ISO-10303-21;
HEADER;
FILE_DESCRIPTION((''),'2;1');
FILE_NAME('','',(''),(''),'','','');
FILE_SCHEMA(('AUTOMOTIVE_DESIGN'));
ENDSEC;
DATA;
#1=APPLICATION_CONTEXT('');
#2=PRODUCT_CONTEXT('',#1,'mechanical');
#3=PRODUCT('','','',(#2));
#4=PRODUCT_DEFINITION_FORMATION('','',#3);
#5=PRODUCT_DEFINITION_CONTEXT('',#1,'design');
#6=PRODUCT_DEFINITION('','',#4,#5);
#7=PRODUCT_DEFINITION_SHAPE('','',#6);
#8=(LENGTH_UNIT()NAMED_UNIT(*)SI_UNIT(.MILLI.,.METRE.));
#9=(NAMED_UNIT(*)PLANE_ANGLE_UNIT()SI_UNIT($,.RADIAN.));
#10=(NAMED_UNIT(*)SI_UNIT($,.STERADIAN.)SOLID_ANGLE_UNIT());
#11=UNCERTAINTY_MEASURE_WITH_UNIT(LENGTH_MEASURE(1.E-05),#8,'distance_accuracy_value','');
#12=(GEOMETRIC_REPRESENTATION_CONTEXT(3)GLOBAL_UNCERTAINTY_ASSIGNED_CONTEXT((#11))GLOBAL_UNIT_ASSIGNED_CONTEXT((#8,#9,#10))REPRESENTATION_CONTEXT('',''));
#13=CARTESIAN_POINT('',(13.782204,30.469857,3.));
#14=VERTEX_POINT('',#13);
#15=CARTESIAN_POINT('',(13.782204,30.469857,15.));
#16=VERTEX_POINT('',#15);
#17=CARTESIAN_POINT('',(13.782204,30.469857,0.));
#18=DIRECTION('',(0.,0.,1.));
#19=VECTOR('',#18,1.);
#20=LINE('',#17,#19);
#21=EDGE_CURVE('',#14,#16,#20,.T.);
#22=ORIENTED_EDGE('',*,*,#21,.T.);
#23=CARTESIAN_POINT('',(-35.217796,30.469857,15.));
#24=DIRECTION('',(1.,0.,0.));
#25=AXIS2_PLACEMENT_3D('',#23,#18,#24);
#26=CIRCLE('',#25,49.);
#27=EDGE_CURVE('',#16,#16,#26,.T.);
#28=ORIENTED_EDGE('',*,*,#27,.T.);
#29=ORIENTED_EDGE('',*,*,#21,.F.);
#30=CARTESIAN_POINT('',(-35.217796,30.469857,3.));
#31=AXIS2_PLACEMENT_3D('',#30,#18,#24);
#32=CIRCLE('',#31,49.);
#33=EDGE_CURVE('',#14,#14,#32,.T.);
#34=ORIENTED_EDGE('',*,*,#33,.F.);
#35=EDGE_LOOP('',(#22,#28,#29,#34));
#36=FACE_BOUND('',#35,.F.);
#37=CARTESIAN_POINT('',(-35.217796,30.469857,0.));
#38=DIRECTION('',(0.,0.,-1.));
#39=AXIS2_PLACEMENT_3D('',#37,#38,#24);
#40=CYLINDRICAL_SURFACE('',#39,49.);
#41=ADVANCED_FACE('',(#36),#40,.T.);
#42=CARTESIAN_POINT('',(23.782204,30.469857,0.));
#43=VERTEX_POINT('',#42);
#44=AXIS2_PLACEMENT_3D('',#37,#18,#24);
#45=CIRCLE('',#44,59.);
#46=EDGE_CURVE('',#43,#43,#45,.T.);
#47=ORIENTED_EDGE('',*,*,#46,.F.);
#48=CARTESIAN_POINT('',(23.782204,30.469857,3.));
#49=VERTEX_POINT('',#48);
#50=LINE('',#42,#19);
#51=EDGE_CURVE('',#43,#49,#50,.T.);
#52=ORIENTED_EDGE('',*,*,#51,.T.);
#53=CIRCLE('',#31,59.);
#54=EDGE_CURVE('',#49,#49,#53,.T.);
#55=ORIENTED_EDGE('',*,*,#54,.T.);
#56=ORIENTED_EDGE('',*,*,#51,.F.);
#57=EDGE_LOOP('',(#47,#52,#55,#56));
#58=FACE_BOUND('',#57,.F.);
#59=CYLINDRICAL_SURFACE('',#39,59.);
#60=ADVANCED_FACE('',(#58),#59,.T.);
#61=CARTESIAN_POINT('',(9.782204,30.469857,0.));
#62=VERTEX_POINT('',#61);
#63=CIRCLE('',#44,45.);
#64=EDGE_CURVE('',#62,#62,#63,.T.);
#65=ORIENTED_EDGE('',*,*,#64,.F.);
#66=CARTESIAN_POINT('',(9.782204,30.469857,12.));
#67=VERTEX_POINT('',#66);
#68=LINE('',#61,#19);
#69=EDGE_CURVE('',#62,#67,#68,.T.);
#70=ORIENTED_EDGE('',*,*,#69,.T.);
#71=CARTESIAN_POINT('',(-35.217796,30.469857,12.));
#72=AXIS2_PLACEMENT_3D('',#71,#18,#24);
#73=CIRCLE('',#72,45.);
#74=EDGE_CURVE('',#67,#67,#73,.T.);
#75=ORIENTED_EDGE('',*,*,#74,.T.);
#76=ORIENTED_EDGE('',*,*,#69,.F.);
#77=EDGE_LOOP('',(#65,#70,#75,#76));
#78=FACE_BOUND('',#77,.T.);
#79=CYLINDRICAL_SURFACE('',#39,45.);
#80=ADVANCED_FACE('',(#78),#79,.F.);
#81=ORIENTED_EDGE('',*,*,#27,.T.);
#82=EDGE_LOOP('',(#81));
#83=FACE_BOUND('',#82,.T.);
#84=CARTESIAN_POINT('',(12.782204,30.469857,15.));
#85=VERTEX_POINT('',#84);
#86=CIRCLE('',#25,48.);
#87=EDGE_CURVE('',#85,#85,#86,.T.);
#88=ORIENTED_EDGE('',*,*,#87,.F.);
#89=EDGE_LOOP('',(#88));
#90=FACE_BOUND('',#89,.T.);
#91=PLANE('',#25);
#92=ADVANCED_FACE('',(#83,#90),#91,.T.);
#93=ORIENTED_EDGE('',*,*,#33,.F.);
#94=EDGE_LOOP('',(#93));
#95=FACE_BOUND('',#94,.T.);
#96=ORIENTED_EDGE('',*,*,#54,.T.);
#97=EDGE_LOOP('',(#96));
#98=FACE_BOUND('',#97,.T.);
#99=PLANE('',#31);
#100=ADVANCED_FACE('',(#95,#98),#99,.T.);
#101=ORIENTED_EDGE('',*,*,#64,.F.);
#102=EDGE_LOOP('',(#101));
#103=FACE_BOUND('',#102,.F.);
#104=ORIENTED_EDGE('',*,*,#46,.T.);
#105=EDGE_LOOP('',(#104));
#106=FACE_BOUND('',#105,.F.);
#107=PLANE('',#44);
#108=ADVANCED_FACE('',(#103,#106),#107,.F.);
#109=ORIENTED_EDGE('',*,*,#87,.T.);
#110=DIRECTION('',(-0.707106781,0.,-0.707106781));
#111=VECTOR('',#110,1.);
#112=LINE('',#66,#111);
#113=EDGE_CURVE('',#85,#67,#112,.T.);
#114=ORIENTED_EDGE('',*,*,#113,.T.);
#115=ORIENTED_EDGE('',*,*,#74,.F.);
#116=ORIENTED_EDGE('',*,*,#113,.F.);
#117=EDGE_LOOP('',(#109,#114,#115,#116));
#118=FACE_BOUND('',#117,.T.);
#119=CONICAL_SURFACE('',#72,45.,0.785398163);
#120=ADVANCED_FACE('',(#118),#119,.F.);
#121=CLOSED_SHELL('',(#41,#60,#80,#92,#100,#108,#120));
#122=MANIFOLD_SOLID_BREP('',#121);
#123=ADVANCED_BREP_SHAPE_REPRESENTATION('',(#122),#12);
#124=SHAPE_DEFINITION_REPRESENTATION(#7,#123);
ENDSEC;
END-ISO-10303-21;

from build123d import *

# Parameters (mm, degrees)
F0_R     = 59
F0_R_2   = 49
F1_DEPTH = 3
F0_R_3   = 45
F2_DEPTH = 15
F3_SIZE  = 3


with BuildPart() as f1:
    # F0 (on Top) → F1 (new body)
    with BuildSketch(Plane.XY):
        with Locations((-35.217796, 30.469857)):
            Circle(F0_R)
        with Locations((-35.217796, 30.469857)):
            Circle(F0_R_2, mode=Mode.SUBTRACT)
    extrude(amount=F1_DEPTH)

    # F0 (on Top) → F2 (join)
    with BuildSketch(Plane.XY):
        with Locations((-35.217796, 30.469857)):
            Circle(F0_R_2)
        with Locations((-35.217796, 30.469857)):
            Circle(F0_R_3, mode=Mode.SUBTRACT)
    extrude(amount=F2_DEPTH)

    # F3
    f3_edges = [f1.edges().sort_by_distance(p)[0] for p in [
        (-80.217796, 30.469857, 15),
    ]]
    chamfer(f3_edges, length=F3_SIZE)


solid = f1.part
